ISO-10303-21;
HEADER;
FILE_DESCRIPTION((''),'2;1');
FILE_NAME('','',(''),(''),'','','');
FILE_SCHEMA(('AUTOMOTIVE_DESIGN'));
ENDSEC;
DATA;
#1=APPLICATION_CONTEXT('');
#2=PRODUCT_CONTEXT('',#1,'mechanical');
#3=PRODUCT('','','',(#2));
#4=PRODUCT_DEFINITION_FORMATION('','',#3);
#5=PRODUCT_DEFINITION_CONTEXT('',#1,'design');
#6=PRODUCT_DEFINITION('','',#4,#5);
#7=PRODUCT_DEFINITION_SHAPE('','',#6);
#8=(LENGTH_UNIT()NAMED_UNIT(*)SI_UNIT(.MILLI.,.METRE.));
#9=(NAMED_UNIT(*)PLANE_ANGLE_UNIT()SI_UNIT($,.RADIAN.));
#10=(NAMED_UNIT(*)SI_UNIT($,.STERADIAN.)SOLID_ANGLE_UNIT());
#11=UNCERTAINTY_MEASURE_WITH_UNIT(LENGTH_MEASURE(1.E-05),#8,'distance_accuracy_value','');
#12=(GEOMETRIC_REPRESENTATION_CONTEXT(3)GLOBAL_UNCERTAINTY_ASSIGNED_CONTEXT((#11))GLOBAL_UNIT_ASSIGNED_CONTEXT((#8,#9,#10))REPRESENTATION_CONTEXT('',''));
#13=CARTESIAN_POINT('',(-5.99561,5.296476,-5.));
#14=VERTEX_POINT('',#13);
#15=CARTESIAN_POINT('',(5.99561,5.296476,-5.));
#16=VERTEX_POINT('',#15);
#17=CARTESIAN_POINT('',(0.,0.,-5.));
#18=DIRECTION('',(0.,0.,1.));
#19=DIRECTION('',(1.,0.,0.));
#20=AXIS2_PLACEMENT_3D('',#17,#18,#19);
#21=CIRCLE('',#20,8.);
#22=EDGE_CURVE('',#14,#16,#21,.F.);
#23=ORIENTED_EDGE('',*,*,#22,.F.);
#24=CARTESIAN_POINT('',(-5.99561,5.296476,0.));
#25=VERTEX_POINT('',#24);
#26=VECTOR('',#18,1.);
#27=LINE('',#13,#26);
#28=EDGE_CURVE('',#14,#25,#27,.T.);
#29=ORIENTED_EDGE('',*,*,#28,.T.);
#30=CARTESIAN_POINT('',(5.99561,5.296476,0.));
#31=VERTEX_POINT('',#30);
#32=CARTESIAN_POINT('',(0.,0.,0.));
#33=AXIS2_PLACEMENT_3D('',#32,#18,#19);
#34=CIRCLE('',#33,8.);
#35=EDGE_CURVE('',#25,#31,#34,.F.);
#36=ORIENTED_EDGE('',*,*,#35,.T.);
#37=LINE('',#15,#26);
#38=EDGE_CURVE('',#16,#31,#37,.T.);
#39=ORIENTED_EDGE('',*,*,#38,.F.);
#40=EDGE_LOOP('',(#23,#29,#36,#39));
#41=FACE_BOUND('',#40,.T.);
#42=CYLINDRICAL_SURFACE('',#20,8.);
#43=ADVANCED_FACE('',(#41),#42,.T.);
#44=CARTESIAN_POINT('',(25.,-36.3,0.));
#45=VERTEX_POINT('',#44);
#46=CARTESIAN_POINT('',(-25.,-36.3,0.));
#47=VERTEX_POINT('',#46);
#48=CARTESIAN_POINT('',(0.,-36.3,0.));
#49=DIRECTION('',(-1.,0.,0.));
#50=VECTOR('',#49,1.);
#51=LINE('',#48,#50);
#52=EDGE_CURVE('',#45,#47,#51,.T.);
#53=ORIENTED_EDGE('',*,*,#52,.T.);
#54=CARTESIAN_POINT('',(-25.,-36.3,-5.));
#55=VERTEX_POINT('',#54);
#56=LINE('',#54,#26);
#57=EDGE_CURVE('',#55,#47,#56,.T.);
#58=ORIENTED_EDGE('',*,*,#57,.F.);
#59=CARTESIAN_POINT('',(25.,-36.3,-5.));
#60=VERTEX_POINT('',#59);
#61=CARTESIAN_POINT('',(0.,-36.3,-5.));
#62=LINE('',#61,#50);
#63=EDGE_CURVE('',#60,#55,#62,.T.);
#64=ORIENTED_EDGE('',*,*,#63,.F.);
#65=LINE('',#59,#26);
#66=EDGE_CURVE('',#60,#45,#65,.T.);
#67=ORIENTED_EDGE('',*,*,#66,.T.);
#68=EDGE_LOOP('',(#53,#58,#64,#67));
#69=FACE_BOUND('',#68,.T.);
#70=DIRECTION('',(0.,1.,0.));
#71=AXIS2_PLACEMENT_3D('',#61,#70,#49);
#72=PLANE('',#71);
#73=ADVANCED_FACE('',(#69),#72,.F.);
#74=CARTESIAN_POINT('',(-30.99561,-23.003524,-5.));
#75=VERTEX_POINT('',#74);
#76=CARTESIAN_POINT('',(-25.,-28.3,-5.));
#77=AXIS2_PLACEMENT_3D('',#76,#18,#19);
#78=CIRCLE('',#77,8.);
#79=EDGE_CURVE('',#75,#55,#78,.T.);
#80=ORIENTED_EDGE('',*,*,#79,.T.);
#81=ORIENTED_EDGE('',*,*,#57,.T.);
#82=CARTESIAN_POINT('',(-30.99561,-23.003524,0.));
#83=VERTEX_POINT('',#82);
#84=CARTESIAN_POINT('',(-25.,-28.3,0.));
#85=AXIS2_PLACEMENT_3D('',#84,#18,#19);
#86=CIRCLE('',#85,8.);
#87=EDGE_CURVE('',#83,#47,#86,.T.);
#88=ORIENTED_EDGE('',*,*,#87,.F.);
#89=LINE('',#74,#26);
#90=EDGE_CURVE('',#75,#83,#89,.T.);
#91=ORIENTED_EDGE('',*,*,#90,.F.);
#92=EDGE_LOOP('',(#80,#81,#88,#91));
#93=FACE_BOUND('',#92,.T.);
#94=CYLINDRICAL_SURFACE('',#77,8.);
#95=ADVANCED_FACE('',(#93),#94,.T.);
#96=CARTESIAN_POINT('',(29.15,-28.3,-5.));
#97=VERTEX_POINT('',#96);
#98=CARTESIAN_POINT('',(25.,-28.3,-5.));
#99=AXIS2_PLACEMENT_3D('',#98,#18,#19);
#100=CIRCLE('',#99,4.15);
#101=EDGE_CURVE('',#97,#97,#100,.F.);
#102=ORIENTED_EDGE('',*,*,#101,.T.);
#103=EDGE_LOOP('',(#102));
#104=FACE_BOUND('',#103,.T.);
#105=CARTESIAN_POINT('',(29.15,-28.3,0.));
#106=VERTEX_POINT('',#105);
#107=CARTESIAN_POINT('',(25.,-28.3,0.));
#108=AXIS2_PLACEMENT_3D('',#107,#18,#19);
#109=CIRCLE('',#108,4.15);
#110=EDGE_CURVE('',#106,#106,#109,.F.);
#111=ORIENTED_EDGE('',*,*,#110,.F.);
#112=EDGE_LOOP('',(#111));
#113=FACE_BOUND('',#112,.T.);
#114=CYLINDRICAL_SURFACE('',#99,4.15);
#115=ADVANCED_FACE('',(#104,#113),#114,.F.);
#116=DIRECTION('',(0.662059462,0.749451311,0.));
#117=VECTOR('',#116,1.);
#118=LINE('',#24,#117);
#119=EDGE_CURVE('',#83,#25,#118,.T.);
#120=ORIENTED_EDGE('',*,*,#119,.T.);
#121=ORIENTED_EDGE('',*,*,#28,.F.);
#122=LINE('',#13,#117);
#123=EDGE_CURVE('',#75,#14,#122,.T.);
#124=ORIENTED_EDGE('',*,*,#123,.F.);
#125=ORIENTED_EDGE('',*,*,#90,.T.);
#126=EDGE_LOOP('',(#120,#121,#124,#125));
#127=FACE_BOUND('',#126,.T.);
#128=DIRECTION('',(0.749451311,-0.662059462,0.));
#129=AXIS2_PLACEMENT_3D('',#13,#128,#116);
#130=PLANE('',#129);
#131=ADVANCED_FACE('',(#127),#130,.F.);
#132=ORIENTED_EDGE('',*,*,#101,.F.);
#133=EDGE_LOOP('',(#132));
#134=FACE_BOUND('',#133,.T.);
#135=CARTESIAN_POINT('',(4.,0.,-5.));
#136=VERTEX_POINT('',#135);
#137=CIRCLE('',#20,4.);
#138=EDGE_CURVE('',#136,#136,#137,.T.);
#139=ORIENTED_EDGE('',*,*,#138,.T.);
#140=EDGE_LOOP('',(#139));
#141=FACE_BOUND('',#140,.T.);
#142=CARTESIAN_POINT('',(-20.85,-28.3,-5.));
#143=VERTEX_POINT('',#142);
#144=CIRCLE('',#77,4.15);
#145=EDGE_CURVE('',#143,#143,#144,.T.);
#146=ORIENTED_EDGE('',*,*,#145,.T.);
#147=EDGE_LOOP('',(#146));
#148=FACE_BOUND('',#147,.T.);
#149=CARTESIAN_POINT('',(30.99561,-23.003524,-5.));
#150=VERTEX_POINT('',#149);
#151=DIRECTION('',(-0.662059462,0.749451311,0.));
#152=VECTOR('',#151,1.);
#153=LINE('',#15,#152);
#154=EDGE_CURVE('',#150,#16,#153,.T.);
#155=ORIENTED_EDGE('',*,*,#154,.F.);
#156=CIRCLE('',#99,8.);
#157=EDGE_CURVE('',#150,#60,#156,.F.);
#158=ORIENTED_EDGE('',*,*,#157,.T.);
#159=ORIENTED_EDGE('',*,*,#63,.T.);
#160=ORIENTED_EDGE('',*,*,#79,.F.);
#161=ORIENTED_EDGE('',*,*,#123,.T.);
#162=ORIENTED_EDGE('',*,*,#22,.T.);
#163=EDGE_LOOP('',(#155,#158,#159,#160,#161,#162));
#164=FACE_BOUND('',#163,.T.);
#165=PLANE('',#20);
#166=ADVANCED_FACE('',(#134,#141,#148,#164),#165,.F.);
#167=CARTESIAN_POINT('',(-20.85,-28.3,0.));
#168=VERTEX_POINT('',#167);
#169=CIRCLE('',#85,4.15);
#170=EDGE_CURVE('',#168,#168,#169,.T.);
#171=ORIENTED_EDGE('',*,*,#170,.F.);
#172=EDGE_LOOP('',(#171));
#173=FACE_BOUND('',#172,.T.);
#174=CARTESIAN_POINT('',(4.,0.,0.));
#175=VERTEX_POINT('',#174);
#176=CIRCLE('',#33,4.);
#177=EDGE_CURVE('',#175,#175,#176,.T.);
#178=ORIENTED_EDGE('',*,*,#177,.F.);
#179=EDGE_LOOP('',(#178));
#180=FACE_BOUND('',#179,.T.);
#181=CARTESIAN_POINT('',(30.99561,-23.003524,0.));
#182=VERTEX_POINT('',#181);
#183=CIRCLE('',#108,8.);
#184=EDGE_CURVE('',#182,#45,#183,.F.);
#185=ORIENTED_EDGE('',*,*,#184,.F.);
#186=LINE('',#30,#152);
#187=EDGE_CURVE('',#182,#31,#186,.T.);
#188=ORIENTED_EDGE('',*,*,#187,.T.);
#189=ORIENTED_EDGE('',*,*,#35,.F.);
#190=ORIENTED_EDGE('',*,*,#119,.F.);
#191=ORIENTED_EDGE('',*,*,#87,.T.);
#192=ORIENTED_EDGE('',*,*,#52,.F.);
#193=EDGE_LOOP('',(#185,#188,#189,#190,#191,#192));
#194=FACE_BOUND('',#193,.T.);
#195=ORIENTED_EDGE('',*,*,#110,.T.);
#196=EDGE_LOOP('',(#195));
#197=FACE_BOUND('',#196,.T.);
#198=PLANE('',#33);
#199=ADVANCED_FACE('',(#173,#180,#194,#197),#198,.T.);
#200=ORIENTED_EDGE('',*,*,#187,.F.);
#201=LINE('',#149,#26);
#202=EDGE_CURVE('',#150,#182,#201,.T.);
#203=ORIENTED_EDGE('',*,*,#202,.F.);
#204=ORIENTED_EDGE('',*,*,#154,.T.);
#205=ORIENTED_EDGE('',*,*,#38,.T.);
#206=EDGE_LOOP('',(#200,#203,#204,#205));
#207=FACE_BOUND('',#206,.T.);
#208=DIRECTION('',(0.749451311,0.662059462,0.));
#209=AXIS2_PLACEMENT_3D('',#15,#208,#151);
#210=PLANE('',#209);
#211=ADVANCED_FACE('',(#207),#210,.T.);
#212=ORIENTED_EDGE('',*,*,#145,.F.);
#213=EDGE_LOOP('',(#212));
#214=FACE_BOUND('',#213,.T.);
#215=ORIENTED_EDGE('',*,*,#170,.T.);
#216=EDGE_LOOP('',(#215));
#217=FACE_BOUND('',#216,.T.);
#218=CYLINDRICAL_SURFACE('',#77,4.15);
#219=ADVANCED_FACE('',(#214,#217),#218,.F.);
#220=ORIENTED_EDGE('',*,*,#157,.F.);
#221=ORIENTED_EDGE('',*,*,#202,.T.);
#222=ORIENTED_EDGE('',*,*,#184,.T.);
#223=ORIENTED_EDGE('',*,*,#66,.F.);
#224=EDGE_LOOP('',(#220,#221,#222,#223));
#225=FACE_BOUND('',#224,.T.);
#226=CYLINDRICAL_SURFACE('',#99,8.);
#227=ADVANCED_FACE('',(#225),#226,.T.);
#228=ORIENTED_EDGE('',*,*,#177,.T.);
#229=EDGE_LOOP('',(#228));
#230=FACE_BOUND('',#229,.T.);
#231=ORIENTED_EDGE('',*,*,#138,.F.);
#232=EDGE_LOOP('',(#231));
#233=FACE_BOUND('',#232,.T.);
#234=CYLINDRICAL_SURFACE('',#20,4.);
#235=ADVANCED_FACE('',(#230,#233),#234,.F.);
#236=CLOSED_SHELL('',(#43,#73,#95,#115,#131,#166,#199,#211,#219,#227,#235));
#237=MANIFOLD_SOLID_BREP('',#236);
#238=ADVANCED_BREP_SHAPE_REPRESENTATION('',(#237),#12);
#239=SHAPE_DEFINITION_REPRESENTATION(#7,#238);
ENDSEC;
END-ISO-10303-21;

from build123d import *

# Parameters (mm, degrees)
SKETCH1_R           = 4
SKETCH1_R_2         = 4.15
BOSS_EXTRUDE2_DEPTH = 5


with BuildPart() as part:
    # Sketch1 → Boss-Extrude2 (new body)
    # profile 1 of 2: a face of its own
    with BuildSketch(Plane.XY):
        with BuildLine():
            Line((-25, -20.3), (25, -20.3))
            ThreePointArc((25, -20.3), (28.288479467, -21.007133431), (30.995610492, -23.003524301))
            Line((30.995610492, -23.003524301), (5.995610492, 5.296475699))
            ThreePointArc((5.995610492, 5.296475699), (0, 8), (-5.995610492, 5.296475699))
            Line((-5.995610492, 5.296475699), (-30.995610492, -23.003524301))
            ThreePointArc((-30.995610492, -23.003524301), (-28.288479467, -21.007133431), (-25, -20.3))
        make_face()
        Circle(SKETCH1_R, mode=Mode.SUBTRACT)
    # profile 2 of 2: a face of its own
    with BuildSketch(Plane.XY):
        with BuildLine():
            ThreePointArc((25, -20.3), (28.288479467, -21.007133431), (30.995610492, -23.003524301))
            ThreePointArc((30.995610492, -23.003524301), (32.292866569, -31.588479467), (25, -36.3))
            Line((25, -36.3), (-25, -36.3))
            ThreePointArc((-25, -36.3), (-32.292866569, -31.588479467), (-30.995610492, -23.003524301))
            ThreePointArc((-30.995610492, -23.003524301), (-28.288479467, -21.007133431), (-25, -20.3))
            Line((-25, -20.3), (25, -20.3))
        make_face()
        with Locations((-25, -28.3)):
            Circle(SKETCH1_R_2, mode=Mode.SUBTRACT)
        with Locations((25, -28.3)):
            Circle(SKETCH1_R_2, mode=Mode.SUBTRACT)
    extrude(amount=-BOSS_EXTRUDE2_DEPTH)


solid = part.part
